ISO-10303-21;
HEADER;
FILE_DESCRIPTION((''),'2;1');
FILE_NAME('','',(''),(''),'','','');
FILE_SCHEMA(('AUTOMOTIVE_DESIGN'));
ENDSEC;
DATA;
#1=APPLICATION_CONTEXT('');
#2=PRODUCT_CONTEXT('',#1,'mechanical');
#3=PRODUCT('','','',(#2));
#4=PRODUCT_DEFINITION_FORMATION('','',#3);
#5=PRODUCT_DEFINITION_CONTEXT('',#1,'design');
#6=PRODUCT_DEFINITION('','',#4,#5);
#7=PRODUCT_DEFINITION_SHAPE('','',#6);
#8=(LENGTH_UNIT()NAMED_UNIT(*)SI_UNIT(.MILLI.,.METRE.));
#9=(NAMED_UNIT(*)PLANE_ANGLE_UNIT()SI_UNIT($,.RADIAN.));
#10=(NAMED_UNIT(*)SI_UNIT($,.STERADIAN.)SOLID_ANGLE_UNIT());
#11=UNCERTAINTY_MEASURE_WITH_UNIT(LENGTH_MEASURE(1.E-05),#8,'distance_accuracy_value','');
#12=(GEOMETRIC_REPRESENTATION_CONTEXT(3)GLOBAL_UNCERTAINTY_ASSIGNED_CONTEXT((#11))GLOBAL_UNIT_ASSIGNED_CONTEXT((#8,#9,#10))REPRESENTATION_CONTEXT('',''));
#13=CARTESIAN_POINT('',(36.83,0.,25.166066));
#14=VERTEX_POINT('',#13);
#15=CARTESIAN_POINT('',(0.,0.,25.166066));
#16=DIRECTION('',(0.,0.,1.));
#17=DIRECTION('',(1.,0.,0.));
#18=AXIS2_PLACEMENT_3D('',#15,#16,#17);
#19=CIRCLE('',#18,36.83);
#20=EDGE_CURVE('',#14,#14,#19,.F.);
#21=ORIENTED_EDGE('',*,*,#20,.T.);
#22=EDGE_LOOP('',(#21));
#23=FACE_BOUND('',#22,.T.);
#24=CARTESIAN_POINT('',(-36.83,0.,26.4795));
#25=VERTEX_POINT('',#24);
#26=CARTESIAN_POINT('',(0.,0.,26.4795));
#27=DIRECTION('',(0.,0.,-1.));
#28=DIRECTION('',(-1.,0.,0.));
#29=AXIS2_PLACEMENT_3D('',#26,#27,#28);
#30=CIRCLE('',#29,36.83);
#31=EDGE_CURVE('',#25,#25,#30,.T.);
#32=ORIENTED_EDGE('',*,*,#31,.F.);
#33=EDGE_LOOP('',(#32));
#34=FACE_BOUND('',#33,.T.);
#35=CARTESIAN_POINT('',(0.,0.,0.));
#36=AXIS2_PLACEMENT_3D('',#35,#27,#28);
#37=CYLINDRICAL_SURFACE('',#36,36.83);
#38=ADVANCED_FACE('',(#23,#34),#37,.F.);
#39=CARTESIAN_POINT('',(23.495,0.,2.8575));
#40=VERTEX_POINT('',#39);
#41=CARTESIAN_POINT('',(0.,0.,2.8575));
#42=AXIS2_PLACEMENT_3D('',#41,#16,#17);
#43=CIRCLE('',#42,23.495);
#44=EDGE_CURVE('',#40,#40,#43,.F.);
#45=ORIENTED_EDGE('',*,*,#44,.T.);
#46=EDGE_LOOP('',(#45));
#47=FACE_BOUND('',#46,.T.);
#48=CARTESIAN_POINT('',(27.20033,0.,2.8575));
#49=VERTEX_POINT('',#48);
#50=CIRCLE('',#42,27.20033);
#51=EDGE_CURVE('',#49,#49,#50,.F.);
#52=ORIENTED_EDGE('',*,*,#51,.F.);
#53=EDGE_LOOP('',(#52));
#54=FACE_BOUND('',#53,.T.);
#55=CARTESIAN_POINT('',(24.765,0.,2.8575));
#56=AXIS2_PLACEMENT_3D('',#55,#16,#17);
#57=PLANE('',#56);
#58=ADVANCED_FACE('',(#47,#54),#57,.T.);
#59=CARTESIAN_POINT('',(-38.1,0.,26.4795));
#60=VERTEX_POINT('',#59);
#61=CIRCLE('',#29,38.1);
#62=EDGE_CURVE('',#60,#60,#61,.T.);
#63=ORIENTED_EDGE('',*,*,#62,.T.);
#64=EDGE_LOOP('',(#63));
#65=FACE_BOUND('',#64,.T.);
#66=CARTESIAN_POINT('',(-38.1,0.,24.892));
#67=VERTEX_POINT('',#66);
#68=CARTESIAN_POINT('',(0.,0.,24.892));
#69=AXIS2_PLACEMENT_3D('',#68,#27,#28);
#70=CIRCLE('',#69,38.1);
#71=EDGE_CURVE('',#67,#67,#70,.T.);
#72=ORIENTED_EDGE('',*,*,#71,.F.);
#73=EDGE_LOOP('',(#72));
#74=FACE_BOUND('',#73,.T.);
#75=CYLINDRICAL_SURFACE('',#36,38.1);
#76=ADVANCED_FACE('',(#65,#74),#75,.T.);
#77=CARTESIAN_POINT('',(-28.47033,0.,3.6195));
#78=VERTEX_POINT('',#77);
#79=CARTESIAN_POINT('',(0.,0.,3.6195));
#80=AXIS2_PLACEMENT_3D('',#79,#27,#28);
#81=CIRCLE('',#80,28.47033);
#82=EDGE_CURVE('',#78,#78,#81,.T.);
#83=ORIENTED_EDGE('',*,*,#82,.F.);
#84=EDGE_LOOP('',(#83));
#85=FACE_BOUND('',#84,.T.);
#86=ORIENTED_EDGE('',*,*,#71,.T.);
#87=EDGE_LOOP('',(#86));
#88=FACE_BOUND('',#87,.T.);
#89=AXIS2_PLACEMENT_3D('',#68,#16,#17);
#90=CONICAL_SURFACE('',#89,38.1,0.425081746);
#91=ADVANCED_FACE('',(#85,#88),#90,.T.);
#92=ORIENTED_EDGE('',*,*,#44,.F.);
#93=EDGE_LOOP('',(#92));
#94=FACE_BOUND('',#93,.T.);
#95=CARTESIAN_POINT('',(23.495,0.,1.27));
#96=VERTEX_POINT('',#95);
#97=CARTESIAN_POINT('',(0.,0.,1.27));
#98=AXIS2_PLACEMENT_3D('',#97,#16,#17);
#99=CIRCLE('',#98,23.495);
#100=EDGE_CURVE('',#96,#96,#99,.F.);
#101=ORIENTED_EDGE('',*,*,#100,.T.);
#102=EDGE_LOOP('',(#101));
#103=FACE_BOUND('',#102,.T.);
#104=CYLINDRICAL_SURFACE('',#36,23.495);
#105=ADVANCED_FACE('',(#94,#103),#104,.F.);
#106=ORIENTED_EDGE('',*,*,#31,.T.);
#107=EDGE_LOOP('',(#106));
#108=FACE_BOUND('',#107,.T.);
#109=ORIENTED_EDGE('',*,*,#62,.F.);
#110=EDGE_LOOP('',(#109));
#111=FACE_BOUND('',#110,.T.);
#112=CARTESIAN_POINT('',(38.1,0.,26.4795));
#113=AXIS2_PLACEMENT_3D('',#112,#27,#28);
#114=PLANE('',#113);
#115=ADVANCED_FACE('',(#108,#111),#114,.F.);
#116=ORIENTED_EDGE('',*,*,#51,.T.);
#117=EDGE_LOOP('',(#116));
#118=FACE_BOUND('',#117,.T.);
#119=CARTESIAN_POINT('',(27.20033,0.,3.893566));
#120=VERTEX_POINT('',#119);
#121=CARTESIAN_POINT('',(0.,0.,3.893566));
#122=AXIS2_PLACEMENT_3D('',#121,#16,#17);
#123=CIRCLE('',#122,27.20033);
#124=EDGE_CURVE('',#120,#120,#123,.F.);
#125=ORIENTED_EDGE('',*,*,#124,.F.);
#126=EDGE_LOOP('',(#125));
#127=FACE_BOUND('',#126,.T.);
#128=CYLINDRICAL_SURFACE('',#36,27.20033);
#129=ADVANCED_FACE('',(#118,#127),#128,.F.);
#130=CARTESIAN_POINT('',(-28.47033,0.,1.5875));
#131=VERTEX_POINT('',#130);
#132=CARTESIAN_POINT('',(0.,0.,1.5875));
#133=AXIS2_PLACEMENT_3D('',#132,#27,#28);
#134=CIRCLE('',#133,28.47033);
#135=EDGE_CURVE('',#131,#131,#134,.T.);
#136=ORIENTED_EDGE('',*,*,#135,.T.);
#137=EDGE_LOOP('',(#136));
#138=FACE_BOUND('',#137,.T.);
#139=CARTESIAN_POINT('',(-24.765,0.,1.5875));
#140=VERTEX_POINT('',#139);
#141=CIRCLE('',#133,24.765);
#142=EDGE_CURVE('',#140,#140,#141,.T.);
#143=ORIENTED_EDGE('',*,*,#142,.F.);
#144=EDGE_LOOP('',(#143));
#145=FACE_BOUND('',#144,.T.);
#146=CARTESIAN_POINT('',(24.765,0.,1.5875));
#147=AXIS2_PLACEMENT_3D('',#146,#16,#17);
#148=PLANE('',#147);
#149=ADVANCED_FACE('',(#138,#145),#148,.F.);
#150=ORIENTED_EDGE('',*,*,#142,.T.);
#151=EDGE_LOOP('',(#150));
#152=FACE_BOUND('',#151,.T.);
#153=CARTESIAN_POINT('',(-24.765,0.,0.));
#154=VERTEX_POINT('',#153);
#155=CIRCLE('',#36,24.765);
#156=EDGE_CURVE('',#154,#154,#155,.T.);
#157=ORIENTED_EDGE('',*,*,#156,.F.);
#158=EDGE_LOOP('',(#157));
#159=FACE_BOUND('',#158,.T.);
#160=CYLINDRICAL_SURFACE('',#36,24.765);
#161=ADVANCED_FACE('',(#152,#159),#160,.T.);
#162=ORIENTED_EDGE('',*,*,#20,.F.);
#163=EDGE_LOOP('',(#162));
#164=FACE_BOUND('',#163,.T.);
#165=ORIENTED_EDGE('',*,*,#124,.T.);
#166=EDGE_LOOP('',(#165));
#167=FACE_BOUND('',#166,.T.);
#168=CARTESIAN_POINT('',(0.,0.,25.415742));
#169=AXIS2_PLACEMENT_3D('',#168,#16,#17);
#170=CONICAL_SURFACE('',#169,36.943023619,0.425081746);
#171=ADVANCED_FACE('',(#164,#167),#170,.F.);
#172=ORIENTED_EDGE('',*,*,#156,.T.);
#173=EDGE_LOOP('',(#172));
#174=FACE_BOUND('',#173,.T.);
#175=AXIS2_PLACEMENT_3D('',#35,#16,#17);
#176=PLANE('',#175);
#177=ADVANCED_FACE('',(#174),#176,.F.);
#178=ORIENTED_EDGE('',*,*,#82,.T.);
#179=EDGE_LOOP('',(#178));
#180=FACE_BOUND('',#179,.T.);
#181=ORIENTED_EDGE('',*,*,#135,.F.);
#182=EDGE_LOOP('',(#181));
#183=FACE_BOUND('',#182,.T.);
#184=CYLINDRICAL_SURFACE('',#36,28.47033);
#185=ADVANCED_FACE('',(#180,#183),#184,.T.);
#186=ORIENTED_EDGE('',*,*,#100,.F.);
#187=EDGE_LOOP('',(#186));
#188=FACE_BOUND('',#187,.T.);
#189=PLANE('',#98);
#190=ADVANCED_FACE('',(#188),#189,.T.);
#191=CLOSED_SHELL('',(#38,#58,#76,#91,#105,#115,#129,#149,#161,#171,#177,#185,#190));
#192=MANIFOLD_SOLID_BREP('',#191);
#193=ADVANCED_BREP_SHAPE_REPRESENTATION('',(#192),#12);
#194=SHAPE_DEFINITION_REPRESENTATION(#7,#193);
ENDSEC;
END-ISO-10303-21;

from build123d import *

# Parameters (mm, degrees)
SHELL1_T = -1.27


with BuildPart() as part:
    # Sketch1 → Revolve1 (revolve)
    with BuildSketch(Plane(origin=(0, 0, 0), x_dir=(-1, 0, 0), z_dir=(0, 1, 0)), mode=Mode.PRIVATE) as revolve1_sk:
        Polygon((0, 0), (0, 26.4795), (-38.1, 26.4795), (-38.1, 24.892), (-28.47032967, 3.6195), (-28.47032967, 1.5875), (-24.765, 1.5875), (-24.765, 0), align=None)
    revolve(revolve1_sk.sketch.rotate(Axis((0, 0, 0), (0, 0, 1)), 180), axis=Axis((0, 0, 0), (0, 0, 1)))

    # Shell1
    shell1_openings = [part.faces().sort_by_distance(p)[0] for p in [
        (0, 0, 26.4795),
    ]]
    offset(amount=SHELL1_T, openings=shell1_openings, kind=Kind.INTERSECTION)


solid = part.part
